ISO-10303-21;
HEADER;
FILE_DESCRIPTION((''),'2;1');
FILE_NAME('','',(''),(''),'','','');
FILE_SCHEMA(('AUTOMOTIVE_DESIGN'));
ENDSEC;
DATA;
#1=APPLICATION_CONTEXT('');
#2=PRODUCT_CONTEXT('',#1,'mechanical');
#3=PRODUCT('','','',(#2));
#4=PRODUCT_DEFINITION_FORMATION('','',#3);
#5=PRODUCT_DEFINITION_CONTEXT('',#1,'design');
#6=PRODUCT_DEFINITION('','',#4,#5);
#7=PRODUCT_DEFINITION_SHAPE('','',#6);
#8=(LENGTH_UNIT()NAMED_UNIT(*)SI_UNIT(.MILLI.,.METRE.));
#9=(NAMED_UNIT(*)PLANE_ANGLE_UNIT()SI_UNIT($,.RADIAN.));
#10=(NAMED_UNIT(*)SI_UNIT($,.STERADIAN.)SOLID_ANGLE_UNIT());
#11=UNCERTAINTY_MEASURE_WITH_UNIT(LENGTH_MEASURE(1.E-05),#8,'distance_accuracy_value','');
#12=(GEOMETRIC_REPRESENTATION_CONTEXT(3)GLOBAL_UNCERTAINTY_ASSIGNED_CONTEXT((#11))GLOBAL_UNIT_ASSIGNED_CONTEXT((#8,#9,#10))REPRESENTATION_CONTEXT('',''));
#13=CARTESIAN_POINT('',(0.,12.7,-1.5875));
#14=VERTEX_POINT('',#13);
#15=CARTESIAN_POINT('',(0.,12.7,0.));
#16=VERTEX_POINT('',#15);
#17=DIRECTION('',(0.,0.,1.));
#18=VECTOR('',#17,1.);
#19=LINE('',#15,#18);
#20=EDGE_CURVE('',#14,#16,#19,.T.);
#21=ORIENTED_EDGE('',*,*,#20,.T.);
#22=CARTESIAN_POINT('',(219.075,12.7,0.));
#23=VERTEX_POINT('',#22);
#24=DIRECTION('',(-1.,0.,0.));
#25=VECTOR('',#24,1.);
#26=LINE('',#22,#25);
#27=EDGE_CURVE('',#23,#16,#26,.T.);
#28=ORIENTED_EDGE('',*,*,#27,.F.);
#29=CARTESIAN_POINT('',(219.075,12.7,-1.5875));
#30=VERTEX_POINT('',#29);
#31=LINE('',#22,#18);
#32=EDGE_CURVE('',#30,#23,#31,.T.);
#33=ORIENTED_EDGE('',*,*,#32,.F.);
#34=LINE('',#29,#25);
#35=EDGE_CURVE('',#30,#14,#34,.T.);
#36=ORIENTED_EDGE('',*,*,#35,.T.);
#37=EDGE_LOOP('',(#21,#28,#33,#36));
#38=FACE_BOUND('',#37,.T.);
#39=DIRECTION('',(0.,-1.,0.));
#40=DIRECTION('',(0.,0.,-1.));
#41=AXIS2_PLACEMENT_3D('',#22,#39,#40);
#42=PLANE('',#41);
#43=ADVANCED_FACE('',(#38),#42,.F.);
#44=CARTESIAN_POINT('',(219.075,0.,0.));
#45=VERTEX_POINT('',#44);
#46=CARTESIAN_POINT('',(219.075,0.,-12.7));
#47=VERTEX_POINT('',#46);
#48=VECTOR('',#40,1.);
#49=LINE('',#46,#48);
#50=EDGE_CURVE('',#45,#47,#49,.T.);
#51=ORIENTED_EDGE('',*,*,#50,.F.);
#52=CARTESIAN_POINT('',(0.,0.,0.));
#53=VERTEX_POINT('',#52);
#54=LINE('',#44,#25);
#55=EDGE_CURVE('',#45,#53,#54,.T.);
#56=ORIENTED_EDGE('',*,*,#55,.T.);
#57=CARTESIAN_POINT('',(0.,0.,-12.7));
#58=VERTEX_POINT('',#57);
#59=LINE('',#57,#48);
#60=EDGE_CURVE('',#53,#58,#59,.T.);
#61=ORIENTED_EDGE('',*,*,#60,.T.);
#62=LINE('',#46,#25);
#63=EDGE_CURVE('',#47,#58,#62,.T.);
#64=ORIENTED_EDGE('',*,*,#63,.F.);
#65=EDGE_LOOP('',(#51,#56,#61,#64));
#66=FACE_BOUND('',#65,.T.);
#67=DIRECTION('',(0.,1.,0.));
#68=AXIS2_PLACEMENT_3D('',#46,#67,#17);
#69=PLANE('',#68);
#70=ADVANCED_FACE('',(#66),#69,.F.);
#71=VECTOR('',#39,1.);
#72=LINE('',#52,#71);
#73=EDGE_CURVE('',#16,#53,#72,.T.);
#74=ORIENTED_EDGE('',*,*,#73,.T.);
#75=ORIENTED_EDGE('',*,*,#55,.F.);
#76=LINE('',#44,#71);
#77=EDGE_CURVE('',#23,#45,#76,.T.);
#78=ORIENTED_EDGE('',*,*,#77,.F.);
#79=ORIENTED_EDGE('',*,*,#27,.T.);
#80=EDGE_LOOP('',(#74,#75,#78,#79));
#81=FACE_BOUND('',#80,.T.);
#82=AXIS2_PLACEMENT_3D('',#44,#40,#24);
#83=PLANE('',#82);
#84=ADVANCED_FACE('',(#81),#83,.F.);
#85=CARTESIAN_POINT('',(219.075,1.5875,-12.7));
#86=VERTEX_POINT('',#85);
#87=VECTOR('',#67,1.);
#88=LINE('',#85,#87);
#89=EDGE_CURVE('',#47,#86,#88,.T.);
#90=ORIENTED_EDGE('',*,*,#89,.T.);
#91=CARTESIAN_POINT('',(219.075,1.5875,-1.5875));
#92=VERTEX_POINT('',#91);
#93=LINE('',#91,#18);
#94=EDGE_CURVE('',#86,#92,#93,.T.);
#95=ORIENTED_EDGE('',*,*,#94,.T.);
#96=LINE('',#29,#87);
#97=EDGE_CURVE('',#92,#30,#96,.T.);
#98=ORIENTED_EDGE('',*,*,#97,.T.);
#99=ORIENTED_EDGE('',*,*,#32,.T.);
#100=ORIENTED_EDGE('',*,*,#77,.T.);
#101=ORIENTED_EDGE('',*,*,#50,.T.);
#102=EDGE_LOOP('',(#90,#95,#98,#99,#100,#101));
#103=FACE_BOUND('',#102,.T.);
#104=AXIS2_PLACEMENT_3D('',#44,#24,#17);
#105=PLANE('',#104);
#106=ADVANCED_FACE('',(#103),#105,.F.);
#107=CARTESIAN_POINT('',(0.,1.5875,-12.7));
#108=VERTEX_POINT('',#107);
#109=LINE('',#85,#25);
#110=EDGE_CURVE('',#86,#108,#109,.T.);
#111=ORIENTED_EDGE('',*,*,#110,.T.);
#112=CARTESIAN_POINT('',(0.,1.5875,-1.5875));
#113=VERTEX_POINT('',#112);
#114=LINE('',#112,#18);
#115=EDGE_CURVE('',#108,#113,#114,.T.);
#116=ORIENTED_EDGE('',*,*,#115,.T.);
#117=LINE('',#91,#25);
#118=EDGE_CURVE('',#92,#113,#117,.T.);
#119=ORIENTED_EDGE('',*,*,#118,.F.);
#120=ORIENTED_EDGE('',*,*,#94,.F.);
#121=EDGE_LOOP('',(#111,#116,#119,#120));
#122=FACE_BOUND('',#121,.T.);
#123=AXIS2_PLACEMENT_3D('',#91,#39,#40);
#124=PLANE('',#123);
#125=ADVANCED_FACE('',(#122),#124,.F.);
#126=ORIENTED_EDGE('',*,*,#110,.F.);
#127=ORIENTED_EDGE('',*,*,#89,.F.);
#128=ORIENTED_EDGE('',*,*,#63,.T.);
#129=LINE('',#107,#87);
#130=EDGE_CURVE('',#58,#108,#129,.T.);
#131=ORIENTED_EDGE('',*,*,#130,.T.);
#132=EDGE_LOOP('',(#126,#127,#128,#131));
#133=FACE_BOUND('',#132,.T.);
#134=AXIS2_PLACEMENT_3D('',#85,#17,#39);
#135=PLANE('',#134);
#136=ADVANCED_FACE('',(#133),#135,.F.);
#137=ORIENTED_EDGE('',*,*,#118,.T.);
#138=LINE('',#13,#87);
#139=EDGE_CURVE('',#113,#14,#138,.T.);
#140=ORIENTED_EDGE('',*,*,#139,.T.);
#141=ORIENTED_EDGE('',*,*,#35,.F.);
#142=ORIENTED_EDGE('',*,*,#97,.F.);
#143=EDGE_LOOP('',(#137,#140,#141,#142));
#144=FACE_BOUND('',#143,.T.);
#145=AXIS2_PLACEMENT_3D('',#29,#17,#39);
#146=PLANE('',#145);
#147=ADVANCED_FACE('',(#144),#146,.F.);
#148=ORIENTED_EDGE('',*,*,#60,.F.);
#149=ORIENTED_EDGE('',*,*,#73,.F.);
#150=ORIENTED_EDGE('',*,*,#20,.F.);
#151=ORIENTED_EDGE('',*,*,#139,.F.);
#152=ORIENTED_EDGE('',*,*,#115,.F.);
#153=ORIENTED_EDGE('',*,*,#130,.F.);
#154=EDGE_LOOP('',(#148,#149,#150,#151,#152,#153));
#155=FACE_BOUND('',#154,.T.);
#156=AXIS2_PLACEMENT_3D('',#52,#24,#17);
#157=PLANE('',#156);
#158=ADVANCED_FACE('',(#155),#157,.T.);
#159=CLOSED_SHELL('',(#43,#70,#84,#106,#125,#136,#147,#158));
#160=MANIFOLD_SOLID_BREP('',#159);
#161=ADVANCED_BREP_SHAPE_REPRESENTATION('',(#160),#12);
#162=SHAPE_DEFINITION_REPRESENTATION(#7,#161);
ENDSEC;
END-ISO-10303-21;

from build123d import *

# Parameters (mm, degrees)
BOSS_EXTRUDE1_DEPTH = 219.075


with BuildPart() as part:
    # Sketch2 → Boss-Extrude1 (new body)
    with BuildSketch(Plane(origin=(0, 0, 0), x_dir=(0, 0, -1), z_dir=(1, 0, 0))):
        Polygon((0, 0), (0, 12.7), (1.5875, 12.7), (1.5875, 1.5875), (12.7, 1.5875), (12.7, 0), align=None)
    extrude(amount=BOSS_EXTRUDE1_DEPTH)


solid = part.part
